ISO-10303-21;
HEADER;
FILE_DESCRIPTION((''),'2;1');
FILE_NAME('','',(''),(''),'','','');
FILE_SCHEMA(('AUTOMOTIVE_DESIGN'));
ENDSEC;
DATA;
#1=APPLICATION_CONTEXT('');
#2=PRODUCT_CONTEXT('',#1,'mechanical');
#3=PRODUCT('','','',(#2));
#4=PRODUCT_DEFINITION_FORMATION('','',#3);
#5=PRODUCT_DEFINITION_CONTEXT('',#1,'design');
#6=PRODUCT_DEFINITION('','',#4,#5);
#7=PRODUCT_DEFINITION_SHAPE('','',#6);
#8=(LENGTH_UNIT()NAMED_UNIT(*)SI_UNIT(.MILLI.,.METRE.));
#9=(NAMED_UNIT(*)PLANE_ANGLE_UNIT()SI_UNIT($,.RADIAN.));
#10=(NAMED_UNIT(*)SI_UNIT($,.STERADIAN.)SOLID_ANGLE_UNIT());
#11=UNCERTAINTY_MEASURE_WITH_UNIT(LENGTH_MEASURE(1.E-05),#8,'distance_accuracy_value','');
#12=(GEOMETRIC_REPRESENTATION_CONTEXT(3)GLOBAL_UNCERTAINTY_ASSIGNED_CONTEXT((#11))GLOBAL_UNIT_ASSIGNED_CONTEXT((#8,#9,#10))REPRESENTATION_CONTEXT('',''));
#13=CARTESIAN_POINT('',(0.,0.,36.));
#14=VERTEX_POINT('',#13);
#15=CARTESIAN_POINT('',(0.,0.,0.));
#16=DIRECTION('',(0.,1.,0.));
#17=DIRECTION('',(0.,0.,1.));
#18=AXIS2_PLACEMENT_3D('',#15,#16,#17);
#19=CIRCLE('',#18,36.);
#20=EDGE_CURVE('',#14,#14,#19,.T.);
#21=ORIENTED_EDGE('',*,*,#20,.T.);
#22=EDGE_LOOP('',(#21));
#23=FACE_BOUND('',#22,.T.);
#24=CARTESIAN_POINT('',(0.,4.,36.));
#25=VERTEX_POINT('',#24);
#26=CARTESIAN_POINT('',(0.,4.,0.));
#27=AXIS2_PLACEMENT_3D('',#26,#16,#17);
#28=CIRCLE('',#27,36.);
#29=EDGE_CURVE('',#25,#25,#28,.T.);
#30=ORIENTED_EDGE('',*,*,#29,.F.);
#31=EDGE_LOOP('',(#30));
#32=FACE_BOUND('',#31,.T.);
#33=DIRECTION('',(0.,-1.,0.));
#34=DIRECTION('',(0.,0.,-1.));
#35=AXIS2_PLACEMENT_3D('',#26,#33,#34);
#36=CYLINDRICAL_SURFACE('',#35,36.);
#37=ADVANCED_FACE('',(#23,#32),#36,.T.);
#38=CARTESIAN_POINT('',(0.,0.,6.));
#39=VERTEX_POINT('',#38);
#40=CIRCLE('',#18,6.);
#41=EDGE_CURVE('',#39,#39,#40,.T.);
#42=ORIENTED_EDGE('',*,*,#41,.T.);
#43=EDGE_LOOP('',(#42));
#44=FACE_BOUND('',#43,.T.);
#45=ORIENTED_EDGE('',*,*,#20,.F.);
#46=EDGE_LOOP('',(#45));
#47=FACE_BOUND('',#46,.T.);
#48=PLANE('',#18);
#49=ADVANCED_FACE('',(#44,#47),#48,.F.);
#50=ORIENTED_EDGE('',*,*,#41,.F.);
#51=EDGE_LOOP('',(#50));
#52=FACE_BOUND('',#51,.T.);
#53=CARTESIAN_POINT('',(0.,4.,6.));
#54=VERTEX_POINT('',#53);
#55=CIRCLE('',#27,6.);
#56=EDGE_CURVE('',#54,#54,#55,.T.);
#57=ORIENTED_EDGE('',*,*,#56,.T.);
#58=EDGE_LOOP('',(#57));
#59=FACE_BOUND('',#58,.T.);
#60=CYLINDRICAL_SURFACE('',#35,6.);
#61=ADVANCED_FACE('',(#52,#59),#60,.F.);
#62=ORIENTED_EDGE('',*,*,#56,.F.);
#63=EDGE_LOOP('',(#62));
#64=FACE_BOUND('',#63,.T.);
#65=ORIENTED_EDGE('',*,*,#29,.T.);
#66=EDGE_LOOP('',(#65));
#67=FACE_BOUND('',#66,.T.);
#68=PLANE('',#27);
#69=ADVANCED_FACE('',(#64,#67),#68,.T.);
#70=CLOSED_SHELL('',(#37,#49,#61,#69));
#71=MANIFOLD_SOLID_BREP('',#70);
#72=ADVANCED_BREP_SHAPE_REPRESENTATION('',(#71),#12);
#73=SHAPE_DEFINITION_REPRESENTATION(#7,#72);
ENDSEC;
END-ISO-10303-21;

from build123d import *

# Parameters (mm, degrees)
SKETCH_1_R      = 36
SKETCH_1_R_2    = 6
EXTRUDE_1_DEPTH = 4


with BuildPart() as part:
    # Эскиз1 → Вытянуть1 (new body)
    with BuildSketch(Plane(origin=(0, 0, 0), x_dir=(1, 0, 0), z_dir=(0, 1, 0))):
        with Locations(Location((0, 0, 0), (0, 0, 270))):
            Circle(SKETCH_1_R)
        with Locations(Location((0, 0, 0), (0, 0, 270))):
            Circle(SKETCH_1_R_2, mode=Mode.SUBTRACT)
    extrude(amount=EXTRUDE_1_DEPTH)


solid = part.part
